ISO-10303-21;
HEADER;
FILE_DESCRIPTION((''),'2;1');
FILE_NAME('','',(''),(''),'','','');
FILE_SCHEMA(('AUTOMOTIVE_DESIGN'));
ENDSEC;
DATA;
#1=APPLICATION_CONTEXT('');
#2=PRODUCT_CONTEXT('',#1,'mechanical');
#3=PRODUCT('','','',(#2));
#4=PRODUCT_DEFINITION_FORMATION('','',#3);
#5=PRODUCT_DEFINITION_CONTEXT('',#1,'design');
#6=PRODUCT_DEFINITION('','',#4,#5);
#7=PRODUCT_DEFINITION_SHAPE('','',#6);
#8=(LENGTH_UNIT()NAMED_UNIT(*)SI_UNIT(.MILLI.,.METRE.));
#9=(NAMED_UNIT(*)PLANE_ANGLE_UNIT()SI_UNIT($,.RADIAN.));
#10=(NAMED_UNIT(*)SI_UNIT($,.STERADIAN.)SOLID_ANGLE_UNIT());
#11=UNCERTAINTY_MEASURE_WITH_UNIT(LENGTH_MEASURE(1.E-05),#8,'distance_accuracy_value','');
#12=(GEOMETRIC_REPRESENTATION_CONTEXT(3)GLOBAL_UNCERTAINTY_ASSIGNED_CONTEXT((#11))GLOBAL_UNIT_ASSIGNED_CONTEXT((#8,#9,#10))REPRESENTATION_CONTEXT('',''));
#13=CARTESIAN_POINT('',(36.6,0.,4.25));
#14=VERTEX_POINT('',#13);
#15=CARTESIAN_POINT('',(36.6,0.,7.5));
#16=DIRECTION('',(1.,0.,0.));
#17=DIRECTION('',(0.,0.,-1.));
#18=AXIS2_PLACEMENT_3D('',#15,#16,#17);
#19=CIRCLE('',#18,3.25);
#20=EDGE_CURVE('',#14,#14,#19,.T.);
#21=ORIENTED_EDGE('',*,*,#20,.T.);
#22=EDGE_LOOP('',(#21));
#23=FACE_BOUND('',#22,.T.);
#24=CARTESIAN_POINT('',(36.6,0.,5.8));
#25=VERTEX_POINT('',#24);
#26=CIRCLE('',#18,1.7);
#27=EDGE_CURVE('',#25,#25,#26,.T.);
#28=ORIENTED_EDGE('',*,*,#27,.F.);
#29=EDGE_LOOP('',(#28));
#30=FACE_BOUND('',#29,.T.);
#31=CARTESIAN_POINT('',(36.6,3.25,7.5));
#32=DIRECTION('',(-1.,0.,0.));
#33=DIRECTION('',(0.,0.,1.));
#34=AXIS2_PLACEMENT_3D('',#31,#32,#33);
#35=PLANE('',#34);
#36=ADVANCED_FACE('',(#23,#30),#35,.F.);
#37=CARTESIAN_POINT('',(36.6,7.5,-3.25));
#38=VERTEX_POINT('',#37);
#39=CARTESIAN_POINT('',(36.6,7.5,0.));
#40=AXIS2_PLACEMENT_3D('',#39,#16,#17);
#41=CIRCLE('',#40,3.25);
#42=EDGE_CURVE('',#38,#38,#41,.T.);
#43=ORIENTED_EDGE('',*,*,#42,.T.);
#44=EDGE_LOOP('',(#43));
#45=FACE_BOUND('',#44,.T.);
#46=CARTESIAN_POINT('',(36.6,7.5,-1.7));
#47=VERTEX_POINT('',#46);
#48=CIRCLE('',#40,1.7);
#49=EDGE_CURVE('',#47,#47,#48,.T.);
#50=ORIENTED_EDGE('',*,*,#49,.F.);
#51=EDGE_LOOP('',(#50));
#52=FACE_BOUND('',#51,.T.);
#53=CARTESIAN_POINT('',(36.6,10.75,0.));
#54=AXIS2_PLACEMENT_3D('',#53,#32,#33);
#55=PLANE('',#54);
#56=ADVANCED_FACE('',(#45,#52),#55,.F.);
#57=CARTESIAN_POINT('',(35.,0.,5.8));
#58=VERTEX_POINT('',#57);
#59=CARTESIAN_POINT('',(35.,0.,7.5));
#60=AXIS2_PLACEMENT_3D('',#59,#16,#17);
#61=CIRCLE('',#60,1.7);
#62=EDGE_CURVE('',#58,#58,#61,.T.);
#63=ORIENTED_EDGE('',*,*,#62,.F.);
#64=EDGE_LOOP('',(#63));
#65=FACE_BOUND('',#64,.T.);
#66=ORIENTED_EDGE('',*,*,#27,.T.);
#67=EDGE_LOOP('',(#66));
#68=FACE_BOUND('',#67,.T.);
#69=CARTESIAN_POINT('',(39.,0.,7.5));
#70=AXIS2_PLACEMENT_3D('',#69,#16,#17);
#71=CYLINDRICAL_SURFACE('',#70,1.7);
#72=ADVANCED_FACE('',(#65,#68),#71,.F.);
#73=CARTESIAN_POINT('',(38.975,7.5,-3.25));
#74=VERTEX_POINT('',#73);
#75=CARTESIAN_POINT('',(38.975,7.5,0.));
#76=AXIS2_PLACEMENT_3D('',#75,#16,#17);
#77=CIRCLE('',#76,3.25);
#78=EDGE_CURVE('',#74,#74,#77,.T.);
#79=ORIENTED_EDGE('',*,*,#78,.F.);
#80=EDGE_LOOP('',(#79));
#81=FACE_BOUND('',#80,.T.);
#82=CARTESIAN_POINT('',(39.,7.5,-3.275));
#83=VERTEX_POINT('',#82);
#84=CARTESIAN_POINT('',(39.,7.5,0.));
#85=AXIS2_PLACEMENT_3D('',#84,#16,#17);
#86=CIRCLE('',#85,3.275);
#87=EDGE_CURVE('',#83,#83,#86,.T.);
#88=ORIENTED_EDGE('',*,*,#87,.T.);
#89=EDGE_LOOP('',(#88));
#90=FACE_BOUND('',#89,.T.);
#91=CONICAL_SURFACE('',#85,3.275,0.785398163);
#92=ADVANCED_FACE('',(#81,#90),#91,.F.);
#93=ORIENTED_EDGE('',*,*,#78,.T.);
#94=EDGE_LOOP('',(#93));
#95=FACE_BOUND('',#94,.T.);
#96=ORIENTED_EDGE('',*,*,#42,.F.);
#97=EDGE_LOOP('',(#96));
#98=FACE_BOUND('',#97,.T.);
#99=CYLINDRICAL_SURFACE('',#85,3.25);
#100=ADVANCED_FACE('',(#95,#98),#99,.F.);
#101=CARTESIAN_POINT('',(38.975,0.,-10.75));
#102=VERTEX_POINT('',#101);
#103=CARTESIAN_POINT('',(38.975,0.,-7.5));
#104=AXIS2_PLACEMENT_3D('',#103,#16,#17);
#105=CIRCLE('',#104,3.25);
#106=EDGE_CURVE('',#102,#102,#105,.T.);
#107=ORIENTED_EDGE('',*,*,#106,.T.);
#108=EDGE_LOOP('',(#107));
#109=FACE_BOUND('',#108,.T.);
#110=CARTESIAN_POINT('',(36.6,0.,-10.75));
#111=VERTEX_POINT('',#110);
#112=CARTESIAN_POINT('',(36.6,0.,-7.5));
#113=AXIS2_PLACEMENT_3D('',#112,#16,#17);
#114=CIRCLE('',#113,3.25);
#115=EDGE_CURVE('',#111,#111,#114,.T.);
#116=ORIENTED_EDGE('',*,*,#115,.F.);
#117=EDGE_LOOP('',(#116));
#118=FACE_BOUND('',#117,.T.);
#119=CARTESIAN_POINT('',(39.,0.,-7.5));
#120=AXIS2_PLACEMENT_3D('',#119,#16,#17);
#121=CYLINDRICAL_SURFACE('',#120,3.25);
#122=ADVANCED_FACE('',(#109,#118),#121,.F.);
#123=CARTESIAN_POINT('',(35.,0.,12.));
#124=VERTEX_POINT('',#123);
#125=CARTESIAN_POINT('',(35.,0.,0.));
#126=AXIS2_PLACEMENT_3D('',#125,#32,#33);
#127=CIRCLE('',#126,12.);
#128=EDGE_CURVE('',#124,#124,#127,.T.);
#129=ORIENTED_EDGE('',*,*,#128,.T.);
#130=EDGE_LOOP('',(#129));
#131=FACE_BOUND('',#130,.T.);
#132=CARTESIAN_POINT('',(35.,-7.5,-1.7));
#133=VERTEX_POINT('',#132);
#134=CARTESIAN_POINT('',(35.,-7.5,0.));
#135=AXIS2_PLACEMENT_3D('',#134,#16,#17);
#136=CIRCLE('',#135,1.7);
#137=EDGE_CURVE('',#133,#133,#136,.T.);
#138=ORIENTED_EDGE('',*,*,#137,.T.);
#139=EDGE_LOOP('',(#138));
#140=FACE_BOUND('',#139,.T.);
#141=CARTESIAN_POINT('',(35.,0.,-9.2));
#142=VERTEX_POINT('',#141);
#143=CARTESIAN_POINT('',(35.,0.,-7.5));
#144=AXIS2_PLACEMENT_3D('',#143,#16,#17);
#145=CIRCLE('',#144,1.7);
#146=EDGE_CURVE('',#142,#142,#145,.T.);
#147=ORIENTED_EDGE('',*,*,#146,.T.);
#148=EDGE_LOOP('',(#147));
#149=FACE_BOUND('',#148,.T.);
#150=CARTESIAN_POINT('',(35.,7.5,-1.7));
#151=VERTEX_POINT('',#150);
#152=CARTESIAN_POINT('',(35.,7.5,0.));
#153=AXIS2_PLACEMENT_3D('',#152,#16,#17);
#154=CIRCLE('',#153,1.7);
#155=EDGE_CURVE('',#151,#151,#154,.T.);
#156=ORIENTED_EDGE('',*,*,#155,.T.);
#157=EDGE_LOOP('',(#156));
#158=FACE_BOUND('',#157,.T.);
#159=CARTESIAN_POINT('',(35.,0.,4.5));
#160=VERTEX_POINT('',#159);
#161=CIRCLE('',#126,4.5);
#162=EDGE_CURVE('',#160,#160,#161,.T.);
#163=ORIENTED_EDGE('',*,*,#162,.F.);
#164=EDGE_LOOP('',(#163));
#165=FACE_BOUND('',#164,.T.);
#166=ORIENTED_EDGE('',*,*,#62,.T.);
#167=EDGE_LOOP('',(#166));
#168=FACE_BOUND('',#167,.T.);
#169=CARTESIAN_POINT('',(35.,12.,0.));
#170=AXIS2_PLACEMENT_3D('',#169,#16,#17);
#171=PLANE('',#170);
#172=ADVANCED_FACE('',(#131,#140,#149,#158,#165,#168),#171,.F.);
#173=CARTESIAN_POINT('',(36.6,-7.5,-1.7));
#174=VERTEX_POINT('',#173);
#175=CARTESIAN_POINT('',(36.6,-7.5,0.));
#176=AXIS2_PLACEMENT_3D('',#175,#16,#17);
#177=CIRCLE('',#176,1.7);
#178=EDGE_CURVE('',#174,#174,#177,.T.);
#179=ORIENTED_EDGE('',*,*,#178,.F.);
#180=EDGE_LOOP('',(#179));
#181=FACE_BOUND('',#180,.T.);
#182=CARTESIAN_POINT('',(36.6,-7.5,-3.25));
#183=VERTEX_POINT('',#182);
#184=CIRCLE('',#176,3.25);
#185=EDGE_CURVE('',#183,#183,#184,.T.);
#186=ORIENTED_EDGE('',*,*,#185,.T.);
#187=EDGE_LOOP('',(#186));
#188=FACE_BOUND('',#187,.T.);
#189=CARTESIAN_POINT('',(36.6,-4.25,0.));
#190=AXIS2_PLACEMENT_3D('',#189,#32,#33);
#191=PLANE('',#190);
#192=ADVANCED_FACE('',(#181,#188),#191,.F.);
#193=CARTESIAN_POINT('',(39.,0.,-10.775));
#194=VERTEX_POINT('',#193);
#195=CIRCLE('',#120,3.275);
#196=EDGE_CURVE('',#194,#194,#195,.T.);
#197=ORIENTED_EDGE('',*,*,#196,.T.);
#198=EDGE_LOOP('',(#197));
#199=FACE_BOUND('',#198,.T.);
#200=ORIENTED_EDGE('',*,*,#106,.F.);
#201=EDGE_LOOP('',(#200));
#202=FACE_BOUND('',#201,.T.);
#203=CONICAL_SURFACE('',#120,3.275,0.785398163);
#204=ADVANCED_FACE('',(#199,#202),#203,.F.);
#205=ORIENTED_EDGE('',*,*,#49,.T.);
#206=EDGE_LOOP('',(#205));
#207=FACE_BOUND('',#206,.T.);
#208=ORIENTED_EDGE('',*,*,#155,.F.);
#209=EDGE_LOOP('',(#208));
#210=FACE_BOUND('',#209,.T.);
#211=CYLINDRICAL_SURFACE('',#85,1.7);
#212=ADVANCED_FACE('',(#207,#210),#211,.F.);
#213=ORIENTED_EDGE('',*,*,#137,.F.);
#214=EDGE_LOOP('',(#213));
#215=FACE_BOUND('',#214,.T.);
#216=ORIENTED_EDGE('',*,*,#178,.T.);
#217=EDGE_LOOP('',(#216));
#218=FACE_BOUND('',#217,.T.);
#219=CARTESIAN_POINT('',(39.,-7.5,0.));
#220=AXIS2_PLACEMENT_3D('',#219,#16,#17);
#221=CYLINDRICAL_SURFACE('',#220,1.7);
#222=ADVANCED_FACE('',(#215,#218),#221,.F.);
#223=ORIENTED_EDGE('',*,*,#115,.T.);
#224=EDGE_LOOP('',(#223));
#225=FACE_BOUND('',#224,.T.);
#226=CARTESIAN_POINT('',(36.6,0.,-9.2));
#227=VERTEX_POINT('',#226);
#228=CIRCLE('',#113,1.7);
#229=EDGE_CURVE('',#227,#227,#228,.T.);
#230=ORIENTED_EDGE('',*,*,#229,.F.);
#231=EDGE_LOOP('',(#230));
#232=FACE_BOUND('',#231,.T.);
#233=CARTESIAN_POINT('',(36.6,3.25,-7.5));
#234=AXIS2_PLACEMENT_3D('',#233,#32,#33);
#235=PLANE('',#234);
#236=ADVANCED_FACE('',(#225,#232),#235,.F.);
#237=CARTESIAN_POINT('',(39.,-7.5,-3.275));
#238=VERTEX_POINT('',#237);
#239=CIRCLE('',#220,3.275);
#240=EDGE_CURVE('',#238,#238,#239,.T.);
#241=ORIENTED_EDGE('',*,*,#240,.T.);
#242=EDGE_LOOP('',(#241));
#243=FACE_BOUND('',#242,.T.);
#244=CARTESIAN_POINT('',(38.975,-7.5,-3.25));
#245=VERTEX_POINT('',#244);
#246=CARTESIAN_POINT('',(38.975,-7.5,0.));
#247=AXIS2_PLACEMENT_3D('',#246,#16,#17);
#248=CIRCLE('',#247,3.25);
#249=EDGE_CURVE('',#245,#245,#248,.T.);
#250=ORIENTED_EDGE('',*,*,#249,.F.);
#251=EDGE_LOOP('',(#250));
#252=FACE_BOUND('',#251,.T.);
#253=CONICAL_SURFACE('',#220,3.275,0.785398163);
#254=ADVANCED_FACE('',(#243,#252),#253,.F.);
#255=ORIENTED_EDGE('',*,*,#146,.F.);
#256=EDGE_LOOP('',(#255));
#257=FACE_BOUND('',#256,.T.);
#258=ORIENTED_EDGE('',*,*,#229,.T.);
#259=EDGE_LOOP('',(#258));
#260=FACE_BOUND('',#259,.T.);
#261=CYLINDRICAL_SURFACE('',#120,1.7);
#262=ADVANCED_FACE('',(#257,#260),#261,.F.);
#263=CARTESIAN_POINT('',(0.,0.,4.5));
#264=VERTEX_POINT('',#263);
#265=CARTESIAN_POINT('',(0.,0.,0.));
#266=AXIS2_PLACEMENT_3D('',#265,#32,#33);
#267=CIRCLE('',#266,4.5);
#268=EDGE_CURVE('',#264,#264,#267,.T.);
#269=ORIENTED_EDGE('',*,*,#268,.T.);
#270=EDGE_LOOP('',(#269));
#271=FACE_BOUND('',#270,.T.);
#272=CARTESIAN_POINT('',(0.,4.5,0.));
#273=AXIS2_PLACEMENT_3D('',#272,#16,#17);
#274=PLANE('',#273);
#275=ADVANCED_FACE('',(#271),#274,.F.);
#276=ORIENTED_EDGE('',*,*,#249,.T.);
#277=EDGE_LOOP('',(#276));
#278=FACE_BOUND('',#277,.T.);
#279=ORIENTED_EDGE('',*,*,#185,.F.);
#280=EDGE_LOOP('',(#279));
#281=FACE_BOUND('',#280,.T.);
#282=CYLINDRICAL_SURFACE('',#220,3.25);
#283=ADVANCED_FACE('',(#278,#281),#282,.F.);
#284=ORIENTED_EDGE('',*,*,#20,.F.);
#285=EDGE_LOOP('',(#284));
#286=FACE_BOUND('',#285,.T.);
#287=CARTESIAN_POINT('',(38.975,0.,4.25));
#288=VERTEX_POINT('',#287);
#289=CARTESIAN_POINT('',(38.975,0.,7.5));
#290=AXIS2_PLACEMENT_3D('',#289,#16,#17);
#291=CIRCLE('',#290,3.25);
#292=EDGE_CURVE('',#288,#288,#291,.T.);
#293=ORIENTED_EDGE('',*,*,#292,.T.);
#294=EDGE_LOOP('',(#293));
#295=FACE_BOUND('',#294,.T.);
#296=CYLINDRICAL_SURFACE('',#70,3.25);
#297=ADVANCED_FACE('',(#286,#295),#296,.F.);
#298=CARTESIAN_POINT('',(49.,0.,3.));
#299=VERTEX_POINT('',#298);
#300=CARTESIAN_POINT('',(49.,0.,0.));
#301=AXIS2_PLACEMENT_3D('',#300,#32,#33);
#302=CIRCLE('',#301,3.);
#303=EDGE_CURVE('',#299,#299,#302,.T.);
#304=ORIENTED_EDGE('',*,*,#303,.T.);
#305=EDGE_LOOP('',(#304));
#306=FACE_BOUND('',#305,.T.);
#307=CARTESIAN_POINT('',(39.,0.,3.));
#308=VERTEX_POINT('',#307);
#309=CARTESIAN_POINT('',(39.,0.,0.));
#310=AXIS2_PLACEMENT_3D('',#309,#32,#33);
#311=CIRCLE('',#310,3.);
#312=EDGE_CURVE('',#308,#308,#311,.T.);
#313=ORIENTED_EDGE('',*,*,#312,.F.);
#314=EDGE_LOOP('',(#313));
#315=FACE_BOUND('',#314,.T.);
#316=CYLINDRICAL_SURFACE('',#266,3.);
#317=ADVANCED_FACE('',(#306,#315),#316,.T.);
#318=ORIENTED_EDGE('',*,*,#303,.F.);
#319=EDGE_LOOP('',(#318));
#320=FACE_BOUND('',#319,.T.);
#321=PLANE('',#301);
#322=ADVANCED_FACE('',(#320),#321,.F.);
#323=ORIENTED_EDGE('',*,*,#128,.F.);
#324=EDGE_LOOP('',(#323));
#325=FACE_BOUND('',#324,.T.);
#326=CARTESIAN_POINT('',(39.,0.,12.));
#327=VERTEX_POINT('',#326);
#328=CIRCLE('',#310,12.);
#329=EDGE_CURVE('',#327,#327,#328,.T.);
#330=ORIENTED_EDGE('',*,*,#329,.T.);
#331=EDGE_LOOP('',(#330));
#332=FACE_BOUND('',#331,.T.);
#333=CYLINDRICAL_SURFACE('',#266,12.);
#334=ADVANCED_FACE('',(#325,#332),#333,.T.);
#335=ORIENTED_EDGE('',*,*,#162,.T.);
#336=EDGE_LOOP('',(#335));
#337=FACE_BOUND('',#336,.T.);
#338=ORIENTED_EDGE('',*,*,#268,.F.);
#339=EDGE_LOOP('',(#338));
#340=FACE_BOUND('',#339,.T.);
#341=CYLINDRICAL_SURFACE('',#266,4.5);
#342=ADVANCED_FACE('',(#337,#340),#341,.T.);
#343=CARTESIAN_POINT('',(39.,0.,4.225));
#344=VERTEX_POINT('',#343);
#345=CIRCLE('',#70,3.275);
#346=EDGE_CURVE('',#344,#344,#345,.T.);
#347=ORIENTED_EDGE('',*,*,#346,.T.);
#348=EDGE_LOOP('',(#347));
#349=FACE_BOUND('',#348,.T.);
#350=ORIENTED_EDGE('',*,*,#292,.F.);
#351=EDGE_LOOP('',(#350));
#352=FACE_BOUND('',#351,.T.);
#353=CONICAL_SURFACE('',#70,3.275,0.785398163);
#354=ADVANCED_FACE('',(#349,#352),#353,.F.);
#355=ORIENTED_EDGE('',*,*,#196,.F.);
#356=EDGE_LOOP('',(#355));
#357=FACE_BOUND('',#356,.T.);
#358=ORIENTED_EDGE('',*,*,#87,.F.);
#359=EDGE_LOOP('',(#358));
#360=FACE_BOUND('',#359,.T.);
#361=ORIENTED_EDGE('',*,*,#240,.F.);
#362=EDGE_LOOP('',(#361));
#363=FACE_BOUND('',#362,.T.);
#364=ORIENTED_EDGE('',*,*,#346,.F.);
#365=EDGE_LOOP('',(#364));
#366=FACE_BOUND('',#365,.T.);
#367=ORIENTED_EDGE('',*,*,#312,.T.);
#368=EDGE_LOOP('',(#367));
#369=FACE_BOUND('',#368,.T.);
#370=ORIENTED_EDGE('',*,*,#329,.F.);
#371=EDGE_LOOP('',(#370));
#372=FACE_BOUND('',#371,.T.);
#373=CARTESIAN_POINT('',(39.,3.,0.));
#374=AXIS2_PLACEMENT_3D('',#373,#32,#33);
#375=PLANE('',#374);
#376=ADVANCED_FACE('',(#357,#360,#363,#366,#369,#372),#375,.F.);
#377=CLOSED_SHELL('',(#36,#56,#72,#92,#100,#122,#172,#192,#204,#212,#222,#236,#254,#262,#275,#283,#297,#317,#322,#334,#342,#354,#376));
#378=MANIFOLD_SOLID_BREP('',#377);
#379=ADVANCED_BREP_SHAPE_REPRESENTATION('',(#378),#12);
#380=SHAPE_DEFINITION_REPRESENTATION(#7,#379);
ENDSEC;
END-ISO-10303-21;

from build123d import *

# Parameters (mm, degrees)
CBORE_FOR_M3_HEX_SOCKET_THIN_HEAD_CA_2_COUNT = 2
CBORE_FOR_M3_HEX_SOCKET_THIN_HEAD_CA_2_PITCH = 10.606601718
CBORE_FOR_M3_HEX_SOCKET_THIN_HEAD_CA_3_COUNT = 2
CBORE_FOR_M3_HEX_SOCKET_THIN_HEAD_CA_3_PITCH = 15
CBORE_FOR_M3_HEX_SOCKET_THIN_HEAD_CA_4_COUNT = 2
CBORE_FOR_M3_HEX_SOCKET_THIN_HEAD_CA_4_PITCH = 10.606601718


with BuildPart() as part:
    # Sketch1 → Revolve1 (revolve)
    with BuildSketch(Plane.XY, mode=Mode.PRIVATE) as revolve1_sk:
        Polygon((49, 0), (49, 3), (39, 3), (39, 12), (35, 12), (35, 4.5), (0, 4.5), (0, 0), align=None)
    revolve(revolve1_sk.sketch.rotate(Axis((0, 0, 0), (1, 0, 0)), 90), axis=Axis((0, 0, 0), (1, 0, 0)))

    # Sketch3 → CBORE for M3 Hex Socket Thin Head Cap Screw1 (revolve, cut)
    with BuildSketch(Plane(origin=(39, 0, 7.5), x_dir=(0, 0, -1), z_dir=(0, 1, 0))):
        Polygon((0, 0), (0, 39), (1.7, 39), (1.7, 2.4), (3.25, 2.4), (3.25, 0.025), (3.275, 0), align=None)
    cbore_for_m3_hex_socket_thin_head_cap_sc = revolve(axis=Axis((45.35, 0, 7.5), (-1, 0, 0)), mode=Mode.SUBTRACT)

    # CBORE for M3 Hex Socket Thin Head Ca 2: CBORE for M3 Hex Socket Thin Head Cap Screw1 ×2
    with Locations(*[Vector(0, 0.7071067811865674, -0.7071067811865277) * (i * CBORE_FOR_M3_HEX_SOCKET_THIN_HEAD_CA_2_PITCH) for i in range(1, CBORE_FOR_M3_HEX_SOCKET_THIN_HEAD_CA_2_COUNT)]):
        add(cbore_for_m3_hex_socket_thin_head_cap_sc, mode=Mode.SUBTRACT)

    # CBORE for M3 Hex Socket Thin Head Ca 3: CBORE for M3 Hex Socket Thin Head Cap Screw1 ×2
    with Locations(*[(0, 0, -i * CBORE_FOR_M3_HEX_SOCKET_THIN_HEAD_CA_3_PITCH) for i in range(1, CBORE_FOR_M3_HEX_SOCKET_THIN_HEAD_CA_3_COUNT)]):
        add(cbore_for_m3_hex_socket_thin_head_cap_sc, mode=Mode.SUBTRACT)

    # CBORE for M3 Hex Socket Thin Head Ca 4: CBORE for M3 Hex Socket Thin Head Cap Screw1 ×2
    with Locations(*[Vector(0, -0.7071067811865276, -0.7071067811865674) * (i * CBORE_FOR_M3_HEX_SOCKET_THIN_HEAD_CA_4_PITCH) for i in range(1, CBORE_FOR_M3_HEX_SOCKET_THIN_HEAD_CA_4_COUNT)]):
        add(cbore_for_m3_hex_socket_thin_head_cap_sc, mode=Mode.SUBTRACT)


solid = part.part
